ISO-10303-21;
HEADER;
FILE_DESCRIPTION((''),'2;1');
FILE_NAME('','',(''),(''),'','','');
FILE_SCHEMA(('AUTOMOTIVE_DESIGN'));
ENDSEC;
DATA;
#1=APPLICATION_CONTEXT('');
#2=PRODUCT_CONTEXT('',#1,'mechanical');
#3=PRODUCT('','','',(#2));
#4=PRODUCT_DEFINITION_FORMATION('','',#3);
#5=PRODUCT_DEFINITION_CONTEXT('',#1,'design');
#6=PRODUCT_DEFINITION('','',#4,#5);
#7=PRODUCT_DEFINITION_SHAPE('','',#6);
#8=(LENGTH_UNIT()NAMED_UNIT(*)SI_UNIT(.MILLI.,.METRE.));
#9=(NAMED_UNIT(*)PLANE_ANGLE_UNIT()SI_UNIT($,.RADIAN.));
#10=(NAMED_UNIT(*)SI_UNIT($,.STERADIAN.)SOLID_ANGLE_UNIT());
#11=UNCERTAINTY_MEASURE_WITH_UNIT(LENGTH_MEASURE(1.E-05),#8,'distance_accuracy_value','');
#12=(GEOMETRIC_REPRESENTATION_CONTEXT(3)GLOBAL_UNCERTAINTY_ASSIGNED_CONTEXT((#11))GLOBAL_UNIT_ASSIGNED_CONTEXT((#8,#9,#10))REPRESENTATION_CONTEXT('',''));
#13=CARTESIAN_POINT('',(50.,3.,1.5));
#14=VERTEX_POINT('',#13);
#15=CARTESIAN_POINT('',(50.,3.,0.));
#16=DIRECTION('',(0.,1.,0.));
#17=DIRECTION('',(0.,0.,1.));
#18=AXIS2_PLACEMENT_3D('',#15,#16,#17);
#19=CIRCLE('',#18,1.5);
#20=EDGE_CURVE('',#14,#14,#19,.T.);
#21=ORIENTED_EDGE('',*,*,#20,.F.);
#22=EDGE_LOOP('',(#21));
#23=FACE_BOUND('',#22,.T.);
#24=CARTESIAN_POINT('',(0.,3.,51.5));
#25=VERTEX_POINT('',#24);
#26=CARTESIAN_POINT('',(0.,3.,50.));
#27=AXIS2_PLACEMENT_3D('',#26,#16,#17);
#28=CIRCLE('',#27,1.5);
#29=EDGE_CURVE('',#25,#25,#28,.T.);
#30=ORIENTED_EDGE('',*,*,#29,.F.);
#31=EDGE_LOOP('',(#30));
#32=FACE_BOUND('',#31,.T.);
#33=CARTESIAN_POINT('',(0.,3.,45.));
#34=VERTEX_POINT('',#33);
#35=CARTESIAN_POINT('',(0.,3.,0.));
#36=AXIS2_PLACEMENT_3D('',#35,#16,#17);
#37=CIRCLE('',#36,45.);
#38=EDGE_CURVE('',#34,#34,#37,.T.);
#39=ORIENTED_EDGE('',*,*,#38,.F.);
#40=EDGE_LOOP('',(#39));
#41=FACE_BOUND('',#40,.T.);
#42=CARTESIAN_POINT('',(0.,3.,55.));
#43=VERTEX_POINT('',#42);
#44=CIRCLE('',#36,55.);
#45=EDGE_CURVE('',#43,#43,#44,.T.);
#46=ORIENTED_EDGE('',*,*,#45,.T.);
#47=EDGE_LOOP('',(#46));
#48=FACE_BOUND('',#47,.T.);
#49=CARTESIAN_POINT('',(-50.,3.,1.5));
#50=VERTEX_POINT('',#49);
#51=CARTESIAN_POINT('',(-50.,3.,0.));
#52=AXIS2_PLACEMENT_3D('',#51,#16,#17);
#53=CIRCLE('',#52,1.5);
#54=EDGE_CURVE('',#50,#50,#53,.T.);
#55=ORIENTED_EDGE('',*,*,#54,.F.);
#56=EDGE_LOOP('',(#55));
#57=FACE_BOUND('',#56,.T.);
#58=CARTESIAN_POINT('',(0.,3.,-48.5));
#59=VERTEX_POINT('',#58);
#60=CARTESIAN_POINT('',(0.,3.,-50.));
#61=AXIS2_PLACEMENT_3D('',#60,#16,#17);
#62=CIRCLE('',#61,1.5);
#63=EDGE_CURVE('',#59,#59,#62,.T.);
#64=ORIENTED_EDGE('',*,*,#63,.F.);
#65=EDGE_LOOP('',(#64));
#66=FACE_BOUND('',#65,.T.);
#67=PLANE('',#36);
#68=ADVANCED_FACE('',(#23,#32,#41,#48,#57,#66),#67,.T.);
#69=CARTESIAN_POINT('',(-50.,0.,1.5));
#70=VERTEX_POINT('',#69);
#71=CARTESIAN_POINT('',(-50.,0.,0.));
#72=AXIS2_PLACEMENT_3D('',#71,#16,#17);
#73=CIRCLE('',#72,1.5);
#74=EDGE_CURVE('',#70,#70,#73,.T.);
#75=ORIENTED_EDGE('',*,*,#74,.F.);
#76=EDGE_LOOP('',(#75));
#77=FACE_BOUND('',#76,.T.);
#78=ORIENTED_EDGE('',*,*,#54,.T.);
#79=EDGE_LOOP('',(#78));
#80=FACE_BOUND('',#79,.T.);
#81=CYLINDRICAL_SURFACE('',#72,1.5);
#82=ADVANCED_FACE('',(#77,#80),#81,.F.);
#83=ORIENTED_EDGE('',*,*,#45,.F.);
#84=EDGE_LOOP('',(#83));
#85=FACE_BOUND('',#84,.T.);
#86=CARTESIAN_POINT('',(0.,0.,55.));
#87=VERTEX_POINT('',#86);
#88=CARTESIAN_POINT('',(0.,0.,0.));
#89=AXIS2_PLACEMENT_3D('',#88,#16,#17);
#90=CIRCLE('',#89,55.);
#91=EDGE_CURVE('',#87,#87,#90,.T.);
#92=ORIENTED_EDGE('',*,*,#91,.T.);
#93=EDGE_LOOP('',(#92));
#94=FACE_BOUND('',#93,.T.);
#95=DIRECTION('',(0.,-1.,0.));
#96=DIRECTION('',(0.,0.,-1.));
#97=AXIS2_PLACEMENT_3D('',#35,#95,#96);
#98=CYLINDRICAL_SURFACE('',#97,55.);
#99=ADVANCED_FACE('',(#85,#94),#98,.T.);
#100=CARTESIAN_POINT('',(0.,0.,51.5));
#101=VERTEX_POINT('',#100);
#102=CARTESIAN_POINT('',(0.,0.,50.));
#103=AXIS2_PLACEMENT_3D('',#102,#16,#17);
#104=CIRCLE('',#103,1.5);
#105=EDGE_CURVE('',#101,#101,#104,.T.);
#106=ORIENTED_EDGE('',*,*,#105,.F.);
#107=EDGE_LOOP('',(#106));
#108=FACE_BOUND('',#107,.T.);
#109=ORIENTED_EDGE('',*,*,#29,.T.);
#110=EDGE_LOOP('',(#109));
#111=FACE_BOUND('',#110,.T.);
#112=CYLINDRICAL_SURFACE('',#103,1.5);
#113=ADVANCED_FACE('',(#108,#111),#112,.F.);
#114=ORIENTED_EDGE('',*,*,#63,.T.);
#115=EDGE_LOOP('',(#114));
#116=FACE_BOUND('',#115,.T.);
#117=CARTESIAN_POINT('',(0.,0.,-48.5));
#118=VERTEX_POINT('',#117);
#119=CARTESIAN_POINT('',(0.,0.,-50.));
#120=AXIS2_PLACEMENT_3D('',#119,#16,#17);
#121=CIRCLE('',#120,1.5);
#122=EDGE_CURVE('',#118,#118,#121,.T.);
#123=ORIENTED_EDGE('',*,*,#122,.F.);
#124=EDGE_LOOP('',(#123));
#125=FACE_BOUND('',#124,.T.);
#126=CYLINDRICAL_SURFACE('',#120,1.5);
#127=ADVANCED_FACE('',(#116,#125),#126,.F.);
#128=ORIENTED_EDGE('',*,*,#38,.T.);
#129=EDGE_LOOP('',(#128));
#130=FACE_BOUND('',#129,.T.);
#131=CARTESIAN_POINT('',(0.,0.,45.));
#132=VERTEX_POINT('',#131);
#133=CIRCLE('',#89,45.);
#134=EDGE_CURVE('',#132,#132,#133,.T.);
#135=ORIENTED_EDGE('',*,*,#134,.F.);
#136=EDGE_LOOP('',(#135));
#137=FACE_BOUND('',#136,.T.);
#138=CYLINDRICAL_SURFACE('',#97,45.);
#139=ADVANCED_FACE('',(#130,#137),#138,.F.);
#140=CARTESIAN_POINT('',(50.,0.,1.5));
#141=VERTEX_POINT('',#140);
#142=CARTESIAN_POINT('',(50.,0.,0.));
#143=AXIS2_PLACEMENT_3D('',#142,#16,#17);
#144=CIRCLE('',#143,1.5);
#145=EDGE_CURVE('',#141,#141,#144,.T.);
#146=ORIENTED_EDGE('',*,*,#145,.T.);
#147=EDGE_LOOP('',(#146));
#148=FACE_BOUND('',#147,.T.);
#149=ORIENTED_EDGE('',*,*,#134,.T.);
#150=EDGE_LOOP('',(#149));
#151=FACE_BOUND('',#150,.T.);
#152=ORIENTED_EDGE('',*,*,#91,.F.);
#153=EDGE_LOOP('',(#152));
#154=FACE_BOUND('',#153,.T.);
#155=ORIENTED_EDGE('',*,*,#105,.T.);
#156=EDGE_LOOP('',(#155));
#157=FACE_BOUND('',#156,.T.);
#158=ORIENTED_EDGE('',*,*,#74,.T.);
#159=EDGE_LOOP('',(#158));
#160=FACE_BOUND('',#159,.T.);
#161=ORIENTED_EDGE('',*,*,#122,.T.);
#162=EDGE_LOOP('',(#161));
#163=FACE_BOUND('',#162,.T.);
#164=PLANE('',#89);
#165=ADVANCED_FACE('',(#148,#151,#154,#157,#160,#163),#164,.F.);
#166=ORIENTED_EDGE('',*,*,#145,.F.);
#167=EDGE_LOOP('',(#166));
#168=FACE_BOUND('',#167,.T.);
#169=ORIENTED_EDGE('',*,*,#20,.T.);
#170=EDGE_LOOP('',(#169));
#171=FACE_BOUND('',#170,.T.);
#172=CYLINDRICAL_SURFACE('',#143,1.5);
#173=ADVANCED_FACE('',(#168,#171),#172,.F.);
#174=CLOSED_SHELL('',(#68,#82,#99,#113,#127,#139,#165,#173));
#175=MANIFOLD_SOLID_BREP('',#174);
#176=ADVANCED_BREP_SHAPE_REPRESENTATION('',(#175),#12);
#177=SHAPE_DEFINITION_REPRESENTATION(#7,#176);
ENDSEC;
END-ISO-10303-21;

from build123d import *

# Parameters (mm, degrees)
SKETCH1_R           = 55
SKETCH1_R_2         = 45
BOSS_EXTRUDE1_DEPTH = 3
SKETCH2_R           = 1.5
CUT_EXTRUDE1_DEPTH  = 3


with BuildPart() as part:
    # Sketch1 → Boss-Extrude1 (new body)
    with BuildSketch(Plane(origin=(0, 0, 0), x_dir=(1, 0, 0), z_dir=(0, 1, 0))):
        Circle(SKETCH1_R)
        Circle(SKETCH1_R_2, mode=Mode.SUBTRACT)
    extrude(amount=BOSS_EXTRUDE1_DEPTH)

    # Sketch2 → Cut-Extrude1 (cut)
    with BuildSketch(Plane(origin=(0, 3, 0), x_dir=(1, 0, 0), z_dir=(0, 1, 0))):
        with Locations((-50, 0)):
            Circle(SKETCH2_R)
        with Locations((0, -50)):
            Circle(SKETCH2_R)
        with Locations((50, 0)):
            Circle(SKETCH2_R)
        with Locations((0, 50)):
            Circle(SKETCH2_R)
    extrude(amount=-CUT_EXTRUDE1_DEPTH, mode=Mode.SUBTRACT)


solid = part.part
